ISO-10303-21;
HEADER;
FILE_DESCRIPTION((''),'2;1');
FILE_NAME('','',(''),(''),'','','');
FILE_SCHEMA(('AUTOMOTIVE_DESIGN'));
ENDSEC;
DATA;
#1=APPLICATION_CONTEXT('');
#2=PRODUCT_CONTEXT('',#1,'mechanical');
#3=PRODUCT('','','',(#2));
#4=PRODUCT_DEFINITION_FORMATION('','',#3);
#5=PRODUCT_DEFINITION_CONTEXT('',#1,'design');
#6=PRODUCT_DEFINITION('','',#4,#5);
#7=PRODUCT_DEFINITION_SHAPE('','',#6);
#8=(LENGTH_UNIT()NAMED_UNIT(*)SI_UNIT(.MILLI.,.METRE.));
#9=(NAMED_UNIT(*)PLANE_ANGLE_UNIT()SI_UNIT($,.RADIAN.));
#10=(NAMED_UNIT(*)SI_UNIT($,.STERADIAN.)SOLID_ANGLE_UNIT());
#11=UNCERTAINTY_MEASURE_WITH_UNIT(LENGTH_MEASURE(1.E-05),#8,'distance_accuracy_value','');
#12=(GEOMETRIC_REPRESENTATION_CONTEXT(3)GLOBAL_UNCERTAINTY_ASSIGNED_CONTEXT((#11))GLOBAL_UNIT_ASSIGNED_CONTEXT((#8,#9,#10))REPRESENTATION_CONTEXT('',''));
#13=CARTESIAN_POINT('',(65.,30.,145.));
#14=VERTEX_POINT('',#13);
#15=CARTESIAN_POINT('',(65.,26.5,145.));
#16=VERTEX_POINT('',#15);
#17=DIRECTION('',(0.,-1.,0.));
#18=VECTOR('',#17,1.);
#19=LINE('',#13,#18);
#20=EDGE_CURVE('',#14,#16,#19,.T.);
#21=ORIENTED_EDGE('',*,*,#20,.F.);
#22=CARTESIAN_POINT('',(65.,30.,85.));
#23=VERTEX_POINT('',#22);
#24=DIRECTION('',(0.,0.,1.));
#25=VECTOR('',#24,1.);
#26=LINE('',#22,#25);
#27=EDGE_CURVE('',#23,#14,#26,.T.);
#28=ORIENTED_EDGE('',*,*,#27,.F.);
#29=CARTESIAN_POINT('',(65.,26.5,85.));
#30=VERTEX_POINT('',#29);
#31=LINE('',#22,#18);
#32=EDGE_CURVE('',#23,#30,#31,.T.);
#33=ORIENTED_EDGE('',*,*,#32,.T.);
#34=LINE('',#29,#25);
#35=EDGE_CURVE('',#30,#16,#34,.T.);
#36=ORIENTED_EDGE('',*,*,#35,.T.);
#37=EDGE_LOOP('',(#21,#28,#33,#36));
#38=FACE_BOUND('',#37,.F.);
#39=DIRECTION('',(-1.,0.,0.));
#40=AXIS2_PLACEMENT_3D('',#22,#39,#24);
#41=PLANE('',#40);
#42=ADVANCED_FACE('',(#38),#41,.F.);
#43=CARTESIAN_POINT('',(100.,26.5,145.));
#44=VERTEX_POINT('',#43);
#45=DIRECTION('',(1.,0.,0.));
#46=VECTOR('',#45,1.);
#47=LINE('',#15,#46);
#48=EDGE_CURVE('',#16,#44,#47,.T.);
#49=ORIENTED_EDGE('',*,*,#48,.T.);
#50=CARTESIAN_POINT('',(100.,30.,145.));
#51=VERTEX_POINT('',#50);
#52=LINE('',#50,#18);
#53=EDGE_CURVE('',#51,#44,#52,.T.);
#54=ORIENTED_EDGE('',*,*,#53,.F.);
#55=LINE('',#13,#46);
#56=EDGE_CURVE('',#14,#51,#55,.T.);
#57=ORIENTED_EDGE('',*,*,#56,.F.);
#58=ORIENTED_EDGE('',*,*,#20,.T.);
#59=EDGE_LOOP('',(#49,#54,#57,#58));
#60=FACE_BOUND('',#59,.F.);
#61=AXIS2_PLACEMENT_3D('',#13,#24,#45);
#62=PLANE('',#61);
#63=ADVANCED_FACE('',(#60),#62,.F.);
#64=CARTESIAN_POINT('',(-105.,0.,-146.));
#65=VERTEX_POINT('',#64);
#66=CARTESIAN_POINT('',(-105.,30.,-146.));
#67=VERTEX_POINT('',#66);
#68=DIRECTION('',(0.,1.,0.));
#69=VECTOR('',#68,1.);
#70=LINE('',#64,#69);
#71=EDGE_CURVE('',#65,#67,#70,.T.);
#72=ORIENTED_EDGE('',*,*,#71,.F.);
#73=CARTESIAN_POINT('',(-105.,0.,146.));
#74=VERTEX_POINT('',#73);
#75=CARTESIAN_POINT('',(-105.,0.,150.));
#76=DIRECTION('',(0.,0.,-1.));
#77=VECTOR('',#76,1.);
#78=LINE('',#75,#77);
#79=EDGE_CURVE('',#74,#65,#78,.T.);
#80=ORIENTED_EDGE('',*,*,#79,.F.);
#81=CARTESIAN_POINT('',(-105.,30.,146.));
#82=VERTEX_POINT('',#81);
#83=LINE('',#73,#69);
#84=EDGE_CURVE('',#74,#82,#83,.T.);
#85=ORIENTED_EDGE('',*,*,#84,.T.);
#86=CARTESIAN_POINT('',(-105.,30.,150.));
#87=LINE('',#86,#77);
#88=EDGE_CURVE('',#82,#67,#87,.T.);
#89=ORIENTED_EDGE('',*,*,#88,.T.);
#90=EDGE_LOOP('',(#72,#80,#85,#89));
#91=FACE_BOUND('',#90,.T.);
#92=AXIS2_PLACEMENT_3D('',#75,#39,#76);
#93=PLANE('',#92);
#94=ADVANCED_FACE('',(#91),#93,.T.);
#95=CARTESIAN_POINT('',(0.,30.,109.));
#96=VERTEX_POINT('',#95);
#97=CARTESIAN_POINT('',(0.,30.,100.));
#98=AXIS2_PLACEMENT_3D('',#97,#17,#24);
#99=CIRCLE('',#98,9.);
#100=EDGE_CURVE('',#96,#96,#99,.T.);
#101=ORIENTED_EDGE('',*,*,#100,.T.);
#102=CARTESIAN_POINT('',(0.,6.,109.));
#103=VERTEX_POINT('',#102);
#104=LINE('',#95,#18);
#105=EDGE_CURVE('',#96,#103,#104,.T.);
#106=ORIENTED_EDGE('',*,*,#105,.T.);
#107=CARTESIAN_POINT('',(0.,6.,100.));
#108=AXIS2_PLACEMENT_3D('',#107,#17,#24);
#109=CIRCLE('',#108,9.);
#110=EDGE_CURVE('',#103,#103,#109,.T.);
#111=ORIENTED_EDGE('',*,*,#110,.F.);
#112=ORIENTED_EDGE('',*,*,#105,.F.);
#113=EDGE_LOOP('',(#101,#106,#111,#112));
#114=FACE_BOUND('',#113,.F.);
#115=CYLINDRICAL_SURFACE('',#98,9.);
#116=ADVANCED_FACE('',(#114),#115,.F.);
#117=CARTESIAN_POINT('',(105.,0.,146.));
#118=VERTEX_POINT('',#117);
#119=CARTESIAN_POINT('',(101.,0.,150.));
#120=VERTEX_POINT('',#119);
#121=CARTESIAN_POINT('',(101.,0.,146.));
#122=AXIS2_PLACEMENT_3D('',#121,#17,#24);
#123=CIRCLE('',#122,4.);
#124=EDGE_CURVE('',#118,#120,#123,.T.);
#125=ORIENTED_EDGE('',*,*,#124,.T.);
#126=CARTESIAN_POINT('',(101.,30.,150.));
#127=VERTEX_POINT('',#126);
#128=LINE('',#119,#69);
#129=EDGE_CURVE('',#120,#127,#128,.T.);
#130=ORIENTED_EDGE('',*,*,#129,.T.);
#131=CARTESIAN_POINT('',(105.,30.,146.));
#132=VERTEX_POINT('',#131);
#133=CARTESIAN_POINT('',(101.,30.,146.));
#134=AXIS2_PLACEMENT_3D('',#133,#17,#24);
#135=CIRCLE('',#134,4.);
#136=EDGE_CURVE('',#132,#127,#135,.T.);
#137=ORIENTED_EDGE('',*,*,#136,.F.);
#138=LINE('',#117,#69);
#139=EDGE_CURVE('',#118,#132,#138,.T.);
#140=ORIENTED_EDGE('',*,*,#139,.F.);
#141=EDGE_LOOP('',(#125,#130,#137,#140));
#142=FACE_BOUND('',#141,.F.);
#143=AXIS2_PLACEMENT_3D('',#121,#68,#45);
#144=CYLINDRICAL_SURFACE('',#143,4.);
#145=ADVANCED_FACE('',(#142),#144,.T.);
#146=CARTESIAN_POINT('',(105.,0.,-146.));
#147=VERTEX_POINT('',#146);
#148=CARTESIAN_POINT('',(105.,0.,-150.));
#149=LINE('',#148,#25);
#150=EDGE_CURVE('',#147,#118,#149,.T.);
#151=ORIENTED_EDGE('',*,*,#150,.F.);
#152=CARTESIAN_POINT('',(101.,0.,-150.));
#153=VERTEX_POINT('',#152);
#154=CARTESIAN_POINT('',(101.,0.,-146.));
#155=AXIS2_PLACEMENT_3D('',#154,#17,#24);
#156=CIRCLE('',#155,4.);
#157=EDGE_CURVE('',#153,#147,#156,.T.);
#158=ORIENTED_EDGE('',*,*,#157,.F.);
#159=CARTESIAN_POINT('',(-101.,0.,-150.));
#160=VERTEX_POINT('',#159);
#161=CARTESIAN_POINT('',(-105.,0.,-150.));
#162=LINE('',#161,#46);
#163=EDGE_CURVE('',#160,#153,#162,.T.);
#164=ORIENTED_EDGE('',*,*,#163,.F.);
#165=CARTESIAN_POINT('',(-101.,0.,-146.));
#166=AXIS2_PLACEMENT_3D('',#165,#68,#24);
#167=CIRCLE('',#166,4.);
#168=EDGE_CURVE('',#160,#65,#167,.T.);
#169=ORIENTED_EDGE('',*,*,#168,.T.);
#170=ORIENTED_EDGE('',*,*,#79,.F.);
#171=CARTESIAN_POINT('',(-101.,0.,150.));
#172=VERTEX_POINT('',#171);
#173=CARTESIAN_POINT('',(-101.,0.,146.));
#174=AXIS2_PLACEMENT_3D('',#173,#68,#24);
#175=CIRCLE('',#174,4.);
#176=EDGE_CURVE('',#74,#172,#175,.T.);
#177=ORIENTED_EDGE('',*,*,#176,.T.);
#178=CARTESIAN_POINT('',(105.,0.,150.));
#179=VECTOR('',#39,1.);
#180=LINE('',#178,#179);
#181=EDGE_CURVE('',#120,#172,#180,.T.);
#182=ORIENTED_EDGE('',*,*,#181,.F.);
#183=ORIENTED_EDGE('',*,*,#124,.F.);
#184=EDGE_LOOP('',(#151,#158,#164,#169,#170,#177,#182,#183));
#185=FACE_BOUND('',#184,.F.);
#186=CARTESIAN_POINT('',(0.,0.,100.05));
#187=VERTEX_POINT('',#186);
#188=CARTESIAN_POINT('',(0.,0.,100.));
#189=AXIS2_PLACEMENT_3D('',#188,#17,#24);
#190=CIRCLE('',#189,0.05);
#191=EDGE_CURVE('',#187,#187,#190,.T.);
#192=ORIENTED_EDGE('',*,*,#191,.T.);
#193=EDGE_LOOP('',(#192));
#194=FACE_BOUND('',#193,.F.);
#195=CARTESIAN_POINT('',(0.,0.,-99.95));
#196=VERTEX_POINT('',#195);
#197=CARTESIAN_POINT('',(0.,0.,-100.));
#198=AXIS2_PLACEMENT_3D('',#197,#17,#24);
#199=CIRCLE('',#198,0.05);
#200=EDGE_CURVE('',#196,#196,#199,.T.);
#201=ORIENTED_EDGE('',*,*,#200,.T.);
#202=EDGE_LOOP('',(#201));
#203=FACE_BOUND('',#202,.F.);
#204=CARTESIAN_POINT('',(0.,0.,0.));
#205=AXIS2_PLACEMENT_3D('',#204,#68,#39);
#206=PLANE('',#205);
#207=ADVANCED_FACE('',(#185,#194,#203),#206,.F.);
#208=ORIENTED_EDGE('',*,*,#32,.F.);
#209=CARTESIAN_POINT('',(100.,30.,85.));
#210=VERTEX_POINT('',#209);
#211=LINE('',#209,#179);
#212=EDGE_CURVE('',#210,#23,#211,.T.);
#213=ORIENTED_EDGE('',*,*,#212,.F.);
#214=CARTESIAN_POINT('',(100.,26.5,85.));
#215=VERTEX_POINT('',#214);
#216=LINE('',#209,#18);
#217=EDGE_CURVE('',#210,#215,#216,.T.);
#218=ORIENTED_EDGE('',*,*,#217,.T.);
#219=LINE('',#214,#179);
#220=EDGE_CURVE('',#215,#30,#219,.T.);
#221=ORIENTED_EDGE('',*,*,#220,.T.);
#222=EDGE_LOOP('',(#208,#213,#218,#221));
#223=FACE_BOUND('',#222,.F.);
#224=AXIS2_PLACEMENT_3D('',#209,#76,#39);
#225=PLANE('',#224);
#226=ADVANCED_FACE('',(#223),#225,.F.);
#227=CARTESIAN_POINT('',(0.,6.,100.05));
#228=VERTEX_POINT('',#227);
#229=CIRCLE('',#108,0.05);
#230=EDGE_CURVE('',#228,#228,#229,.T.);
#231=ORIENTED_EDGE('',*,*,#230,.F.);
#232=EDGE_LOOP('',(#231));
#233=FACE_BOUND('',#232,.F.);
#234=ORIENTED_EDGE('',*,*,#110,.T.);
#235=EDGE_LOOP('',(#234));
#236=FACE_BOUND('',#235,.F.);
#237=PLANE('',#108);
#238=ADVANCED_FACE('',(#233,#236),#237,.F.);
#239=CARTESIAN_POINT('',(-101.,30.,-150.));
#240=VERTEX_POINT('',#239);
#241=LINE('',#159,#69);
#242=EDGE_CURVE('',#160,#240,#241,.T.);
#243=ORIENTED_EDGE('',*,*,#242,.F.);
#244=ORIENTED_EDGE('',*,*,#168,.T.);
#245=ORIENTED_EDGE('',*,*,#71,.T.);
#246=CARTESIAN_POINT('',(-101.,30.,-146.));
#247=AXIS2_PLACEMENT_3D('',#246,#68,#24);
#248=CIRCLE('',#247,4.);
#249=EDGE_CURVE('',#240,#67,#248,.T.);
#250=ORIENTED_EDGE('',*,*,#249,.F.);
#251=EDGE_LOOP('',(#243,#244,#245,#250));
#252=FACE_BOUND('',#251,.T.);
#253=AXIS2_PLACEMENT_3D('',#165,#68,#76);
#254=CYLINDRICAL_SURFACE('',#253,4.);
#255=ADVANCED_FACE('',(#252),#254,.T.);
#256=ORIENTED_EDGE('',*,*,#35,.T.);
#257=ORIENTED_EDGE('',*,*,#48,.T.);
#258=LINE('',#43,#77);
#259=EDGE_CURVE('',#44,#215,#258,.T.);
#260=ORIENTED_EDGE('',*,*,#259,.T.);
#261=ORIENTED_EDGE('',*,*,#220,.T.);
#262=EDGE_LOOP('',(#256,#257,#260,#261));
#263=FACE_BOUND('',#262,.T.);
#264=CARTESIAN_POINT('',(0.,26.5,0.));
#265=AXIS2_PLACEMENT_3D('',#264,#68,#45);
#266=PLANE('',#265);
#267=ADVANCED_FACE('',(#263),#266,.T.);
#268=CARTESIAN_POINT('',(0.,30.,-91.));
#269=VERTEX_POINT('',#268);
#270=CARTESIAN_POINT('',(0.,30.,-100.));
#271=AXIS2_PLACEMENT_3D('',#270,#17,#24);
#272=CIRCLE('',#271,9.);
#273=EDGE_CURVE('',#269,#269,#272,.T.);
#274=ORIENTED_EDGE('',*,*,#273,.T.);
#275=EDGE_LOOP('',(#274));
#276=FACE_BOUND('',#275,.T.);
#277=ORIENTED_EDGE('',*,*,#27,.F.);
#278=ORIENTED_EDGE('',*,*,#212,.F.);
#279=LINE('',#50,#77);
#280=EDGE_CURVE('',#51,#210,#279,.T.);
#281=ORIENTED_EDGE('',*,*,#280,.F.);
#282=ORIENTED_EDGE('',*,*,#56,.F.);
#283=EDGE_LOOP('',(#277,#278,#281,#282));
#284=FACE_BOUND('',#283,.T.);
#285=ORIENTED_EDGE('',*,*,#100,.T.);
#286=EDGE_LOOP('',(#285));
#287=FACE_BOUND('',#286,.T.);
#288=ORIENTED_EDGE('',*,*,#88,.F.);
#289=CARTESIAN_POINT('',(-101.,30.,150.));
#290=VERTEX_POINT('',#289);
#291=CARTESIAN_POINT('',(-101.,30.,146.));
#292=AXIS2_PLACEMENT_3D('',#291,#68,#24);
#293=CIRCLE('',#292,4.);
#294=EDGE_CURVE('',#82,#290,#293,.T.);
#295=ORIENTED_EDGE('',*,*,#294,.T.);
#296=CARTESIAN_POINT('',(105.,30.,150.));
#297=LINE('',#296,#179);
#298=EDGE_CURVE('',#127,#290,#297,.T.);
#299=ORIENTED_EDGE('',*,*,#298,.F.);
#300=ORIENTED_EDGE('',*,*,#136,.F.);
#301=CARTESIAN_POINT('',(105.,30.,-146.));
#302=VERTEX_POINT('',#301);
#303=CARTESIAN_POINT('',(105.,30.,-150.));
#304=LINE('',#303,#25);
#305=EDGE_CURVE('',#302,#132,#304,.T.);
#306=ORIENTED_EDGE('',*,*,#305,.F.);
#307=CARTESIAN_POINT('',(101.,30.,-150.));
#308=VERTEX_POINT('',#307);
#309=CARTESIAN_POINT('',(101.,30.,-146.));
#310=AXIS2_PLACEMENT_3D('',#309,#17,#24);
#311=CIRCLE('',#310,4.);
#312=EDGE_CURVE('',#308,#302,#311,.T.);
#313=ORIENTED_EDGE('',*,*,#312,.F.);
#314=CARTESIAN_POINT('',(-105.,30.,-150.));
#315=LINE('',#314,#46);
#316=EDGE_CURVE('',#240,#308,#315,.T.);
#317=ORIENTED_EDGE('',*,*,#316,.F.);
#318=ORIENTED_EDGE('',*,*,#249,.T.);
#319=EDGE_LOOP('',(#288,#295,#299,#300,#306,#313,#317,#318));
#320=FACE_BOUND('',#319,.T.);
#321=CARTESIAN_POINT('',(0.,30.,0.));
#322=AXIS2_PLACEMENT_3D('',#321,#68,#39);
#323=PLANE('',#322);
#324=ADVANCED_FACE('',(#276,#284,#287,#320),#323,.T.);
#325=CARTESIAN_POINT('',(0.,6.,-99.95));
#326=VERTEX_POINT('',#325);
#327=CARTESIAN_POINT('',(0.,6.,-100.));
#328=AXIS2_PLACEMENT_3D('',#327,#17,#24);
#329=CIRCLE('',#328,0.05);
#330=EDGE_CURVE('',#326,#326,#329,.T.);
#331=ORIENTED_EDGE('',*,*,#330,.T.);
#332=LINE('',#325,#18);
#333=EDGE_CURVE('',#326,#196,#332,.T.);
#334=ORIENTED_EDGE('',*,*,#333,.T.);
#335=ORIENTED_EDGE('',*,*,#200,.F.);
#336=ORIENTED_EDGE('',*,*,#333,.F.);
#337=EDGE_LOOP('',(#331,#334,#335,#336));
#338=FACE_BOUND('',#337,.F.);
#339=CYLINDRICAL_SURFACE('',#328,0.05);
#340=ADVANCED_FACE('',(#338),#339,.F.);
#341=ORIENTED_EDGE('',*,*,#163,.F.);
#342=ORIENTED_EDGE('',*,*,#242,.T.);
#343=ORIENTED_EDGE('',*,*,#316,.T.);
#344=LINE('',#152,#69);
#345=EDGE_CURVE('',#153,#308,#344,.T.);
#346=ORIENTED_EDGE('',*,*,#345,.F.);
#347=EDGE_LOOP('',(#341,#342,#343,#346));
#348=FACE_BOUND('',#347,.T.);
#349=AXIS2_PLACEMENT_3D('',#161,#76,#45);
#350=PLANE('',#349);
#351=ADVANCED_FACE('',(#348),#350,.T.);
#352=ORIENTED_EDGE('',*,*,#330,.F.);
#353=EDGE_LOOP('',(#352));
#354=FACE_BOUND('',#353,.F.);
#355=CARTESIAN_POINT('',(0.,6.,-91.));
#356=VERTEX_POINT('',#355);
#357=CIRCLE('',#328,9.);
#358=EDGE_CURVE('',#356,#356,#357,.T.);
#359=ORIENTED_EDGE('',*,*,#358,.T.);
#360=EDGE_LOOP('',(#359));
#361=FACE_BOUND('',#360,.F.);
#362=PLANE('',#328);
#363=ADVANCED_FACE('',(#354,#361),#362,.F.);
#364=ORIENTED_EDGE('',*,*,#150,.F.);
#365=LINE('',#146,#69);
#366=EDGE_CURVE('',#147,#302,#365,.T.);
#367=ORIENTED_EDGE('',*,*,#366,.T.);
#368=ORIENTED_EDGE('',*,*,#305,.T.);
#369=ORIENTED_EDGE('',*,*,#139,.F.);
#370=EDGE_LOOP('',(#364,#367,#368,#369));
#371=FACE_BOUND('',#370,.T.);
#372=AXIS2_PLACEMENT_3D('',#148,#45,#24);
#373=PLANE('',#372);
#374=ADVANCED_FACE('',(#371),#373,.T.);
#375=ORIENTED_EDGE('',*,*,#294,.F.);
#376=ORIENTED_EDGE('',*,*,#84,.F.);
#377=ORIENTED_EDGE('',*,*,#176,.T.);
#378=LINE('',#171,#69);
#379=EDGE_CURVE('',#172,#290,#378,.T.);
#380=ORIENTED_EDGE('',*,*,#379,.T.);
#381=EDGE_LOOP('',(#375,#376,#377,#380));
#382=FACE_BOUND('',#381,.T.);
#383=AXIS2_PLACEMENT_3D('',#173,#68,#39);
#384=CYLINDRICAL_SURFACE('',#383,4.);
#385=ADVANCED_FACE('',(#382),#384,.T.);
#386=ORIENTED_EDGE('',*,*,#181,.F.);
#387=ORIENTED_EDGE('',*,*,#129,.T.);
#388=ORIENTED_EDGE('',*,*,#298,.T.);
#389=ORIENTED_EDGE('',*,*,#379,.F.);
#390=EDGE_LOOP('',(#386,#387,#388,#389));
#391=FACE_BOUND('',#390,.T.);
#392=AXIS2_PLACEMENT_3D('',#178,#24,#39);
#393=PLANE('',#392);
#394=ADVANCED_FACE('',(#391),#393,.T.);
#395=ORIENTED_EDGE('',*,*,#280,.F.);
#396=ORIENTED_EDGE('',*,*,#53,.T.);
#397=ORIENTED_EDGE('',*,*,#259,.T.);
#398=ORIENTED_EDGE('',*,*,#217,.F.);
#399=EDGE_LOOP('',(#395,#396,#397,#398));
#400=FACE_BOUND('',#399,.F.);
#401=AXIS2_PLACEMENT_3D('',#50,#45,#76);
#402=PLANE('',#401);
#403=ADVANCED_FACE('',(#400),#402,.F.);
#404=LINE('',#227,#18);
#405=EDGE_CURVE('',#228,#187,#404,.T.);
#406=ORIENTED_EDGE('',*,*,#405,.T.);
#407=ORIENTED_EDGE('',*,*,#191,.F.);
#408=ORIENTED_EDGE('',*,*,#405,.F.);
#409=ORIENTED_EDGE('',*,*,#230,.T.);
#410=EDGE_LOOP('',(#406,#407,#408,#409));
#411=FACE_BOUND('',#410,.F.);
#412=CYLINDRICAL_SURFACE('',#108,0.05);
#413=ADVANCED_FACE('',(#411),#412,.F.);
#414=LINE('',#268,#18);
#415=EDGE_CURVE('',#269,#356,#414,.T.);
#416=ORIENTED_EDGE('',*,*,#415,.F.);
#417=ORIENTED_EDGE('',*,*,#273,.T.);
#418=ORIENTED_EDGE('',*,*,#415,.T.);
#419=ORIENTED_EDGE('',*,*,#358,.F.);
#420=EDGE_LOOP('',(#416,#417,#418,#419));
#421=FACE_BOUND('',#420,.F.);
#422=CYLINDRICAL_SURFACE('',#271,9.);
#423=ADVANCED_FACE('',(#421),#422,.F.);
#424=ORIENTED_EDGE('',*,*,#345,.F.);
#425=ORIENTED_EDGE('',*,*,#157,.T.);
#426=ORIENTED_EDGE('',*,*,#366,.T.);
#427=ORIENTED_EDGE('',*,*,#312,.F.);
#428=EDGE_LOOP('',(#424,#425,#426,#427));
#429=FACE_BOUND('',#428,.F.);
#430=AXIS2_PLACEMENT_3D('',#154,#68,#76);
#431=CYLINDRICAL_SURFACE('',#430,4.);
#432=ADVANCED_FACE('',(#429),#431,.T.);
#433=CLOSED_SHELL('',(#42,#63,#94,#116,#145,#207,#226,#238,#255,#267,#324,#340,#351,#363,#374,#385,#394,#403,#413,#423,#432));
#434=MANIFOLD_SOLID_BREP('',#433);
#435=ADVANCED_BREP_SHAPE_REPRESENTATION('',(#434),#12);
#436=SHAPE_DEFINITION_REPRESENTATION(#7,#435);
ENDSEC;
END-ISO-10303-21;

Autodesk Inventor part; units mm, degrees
ref_plane "YZ Plane" through (0, 0, 0) normal (1, 0, 0) x (0, 1, 0)
ref_plane "XZ Plane" through (0, 0, 0) normal (0, 1, 0) x (-1, 0, 0)
ref_plane "XY Plane" through (0, 0, 0) normal (0, 0, 1) x (1, 0, 0)
sketch "Sketch1" plane through (0, 0, 0) normal (0, 1, 0) x (-1, 0, 0)
  line L0 (105, -150) -> (-105, -150)
  line L1 (-105, -150) -> (-105, 150)
  line L2 (-105, 150) -> (105, 150)
  line L3 (105, 150) -> (105, -150)
  line L4 (105, -150) -> (-105, 150) construction
  line L5 (-105, -150) -> (105, 150) construction
  point P0 (0, 0)
  dimension "d0" = 210
  dimension "d1" = 300
extrude "Extrusion1" add sketch "Sketch1" along normal blind 30
sketch "Sketch2" plane through (0, 30, 0) normal (0, 1, 0) x (1, 0, 0)
  circle A0 centre (0, 100) radius 9
  circle A1 centre (0, -100) radius 9
  point P0 (0, 0)
  dimension "d4" = 18
  dimension "d5" = 18
  dimension "d6" = 100
  dimension "d7" = 100
hole "Hole1" at (0, 30, -100) at (0, 30, 100) direction (0, -1, 0) diameter 0.1 end through all counterbore diameter 18 counterbore depth 24
sketch "Sketch3" plane through (0, 30, 0) normal (0, 1, 0) x (1, 0, 0)
  line L0 (65, -145) -> (100, -145)
  line L1 (100, -145) -> (100, -85)
  line L2 (100, -85) -> (65, -85)
  line L3 (65, -85) -> (65, -145)
  line L4 (-105, -150) -> (105, -150) projected
  line L5 (105, -150) -> (105, 150) projected
  point P0 (0, 0)
  dimension "d15" = 35
  dimension "d16" = 60
  dimension "d17" = 5
  dimension "d19" = 5
extrude "Extrusion2" cut sketch "Sketch3" against normal blind 3.5
fillet "Fillet1" radius 4 4 edges at (105, 15, 150) (-105, 15, 150) (105, 15, -150) (-105, 15, -150)
properties part number "Podstawa"
